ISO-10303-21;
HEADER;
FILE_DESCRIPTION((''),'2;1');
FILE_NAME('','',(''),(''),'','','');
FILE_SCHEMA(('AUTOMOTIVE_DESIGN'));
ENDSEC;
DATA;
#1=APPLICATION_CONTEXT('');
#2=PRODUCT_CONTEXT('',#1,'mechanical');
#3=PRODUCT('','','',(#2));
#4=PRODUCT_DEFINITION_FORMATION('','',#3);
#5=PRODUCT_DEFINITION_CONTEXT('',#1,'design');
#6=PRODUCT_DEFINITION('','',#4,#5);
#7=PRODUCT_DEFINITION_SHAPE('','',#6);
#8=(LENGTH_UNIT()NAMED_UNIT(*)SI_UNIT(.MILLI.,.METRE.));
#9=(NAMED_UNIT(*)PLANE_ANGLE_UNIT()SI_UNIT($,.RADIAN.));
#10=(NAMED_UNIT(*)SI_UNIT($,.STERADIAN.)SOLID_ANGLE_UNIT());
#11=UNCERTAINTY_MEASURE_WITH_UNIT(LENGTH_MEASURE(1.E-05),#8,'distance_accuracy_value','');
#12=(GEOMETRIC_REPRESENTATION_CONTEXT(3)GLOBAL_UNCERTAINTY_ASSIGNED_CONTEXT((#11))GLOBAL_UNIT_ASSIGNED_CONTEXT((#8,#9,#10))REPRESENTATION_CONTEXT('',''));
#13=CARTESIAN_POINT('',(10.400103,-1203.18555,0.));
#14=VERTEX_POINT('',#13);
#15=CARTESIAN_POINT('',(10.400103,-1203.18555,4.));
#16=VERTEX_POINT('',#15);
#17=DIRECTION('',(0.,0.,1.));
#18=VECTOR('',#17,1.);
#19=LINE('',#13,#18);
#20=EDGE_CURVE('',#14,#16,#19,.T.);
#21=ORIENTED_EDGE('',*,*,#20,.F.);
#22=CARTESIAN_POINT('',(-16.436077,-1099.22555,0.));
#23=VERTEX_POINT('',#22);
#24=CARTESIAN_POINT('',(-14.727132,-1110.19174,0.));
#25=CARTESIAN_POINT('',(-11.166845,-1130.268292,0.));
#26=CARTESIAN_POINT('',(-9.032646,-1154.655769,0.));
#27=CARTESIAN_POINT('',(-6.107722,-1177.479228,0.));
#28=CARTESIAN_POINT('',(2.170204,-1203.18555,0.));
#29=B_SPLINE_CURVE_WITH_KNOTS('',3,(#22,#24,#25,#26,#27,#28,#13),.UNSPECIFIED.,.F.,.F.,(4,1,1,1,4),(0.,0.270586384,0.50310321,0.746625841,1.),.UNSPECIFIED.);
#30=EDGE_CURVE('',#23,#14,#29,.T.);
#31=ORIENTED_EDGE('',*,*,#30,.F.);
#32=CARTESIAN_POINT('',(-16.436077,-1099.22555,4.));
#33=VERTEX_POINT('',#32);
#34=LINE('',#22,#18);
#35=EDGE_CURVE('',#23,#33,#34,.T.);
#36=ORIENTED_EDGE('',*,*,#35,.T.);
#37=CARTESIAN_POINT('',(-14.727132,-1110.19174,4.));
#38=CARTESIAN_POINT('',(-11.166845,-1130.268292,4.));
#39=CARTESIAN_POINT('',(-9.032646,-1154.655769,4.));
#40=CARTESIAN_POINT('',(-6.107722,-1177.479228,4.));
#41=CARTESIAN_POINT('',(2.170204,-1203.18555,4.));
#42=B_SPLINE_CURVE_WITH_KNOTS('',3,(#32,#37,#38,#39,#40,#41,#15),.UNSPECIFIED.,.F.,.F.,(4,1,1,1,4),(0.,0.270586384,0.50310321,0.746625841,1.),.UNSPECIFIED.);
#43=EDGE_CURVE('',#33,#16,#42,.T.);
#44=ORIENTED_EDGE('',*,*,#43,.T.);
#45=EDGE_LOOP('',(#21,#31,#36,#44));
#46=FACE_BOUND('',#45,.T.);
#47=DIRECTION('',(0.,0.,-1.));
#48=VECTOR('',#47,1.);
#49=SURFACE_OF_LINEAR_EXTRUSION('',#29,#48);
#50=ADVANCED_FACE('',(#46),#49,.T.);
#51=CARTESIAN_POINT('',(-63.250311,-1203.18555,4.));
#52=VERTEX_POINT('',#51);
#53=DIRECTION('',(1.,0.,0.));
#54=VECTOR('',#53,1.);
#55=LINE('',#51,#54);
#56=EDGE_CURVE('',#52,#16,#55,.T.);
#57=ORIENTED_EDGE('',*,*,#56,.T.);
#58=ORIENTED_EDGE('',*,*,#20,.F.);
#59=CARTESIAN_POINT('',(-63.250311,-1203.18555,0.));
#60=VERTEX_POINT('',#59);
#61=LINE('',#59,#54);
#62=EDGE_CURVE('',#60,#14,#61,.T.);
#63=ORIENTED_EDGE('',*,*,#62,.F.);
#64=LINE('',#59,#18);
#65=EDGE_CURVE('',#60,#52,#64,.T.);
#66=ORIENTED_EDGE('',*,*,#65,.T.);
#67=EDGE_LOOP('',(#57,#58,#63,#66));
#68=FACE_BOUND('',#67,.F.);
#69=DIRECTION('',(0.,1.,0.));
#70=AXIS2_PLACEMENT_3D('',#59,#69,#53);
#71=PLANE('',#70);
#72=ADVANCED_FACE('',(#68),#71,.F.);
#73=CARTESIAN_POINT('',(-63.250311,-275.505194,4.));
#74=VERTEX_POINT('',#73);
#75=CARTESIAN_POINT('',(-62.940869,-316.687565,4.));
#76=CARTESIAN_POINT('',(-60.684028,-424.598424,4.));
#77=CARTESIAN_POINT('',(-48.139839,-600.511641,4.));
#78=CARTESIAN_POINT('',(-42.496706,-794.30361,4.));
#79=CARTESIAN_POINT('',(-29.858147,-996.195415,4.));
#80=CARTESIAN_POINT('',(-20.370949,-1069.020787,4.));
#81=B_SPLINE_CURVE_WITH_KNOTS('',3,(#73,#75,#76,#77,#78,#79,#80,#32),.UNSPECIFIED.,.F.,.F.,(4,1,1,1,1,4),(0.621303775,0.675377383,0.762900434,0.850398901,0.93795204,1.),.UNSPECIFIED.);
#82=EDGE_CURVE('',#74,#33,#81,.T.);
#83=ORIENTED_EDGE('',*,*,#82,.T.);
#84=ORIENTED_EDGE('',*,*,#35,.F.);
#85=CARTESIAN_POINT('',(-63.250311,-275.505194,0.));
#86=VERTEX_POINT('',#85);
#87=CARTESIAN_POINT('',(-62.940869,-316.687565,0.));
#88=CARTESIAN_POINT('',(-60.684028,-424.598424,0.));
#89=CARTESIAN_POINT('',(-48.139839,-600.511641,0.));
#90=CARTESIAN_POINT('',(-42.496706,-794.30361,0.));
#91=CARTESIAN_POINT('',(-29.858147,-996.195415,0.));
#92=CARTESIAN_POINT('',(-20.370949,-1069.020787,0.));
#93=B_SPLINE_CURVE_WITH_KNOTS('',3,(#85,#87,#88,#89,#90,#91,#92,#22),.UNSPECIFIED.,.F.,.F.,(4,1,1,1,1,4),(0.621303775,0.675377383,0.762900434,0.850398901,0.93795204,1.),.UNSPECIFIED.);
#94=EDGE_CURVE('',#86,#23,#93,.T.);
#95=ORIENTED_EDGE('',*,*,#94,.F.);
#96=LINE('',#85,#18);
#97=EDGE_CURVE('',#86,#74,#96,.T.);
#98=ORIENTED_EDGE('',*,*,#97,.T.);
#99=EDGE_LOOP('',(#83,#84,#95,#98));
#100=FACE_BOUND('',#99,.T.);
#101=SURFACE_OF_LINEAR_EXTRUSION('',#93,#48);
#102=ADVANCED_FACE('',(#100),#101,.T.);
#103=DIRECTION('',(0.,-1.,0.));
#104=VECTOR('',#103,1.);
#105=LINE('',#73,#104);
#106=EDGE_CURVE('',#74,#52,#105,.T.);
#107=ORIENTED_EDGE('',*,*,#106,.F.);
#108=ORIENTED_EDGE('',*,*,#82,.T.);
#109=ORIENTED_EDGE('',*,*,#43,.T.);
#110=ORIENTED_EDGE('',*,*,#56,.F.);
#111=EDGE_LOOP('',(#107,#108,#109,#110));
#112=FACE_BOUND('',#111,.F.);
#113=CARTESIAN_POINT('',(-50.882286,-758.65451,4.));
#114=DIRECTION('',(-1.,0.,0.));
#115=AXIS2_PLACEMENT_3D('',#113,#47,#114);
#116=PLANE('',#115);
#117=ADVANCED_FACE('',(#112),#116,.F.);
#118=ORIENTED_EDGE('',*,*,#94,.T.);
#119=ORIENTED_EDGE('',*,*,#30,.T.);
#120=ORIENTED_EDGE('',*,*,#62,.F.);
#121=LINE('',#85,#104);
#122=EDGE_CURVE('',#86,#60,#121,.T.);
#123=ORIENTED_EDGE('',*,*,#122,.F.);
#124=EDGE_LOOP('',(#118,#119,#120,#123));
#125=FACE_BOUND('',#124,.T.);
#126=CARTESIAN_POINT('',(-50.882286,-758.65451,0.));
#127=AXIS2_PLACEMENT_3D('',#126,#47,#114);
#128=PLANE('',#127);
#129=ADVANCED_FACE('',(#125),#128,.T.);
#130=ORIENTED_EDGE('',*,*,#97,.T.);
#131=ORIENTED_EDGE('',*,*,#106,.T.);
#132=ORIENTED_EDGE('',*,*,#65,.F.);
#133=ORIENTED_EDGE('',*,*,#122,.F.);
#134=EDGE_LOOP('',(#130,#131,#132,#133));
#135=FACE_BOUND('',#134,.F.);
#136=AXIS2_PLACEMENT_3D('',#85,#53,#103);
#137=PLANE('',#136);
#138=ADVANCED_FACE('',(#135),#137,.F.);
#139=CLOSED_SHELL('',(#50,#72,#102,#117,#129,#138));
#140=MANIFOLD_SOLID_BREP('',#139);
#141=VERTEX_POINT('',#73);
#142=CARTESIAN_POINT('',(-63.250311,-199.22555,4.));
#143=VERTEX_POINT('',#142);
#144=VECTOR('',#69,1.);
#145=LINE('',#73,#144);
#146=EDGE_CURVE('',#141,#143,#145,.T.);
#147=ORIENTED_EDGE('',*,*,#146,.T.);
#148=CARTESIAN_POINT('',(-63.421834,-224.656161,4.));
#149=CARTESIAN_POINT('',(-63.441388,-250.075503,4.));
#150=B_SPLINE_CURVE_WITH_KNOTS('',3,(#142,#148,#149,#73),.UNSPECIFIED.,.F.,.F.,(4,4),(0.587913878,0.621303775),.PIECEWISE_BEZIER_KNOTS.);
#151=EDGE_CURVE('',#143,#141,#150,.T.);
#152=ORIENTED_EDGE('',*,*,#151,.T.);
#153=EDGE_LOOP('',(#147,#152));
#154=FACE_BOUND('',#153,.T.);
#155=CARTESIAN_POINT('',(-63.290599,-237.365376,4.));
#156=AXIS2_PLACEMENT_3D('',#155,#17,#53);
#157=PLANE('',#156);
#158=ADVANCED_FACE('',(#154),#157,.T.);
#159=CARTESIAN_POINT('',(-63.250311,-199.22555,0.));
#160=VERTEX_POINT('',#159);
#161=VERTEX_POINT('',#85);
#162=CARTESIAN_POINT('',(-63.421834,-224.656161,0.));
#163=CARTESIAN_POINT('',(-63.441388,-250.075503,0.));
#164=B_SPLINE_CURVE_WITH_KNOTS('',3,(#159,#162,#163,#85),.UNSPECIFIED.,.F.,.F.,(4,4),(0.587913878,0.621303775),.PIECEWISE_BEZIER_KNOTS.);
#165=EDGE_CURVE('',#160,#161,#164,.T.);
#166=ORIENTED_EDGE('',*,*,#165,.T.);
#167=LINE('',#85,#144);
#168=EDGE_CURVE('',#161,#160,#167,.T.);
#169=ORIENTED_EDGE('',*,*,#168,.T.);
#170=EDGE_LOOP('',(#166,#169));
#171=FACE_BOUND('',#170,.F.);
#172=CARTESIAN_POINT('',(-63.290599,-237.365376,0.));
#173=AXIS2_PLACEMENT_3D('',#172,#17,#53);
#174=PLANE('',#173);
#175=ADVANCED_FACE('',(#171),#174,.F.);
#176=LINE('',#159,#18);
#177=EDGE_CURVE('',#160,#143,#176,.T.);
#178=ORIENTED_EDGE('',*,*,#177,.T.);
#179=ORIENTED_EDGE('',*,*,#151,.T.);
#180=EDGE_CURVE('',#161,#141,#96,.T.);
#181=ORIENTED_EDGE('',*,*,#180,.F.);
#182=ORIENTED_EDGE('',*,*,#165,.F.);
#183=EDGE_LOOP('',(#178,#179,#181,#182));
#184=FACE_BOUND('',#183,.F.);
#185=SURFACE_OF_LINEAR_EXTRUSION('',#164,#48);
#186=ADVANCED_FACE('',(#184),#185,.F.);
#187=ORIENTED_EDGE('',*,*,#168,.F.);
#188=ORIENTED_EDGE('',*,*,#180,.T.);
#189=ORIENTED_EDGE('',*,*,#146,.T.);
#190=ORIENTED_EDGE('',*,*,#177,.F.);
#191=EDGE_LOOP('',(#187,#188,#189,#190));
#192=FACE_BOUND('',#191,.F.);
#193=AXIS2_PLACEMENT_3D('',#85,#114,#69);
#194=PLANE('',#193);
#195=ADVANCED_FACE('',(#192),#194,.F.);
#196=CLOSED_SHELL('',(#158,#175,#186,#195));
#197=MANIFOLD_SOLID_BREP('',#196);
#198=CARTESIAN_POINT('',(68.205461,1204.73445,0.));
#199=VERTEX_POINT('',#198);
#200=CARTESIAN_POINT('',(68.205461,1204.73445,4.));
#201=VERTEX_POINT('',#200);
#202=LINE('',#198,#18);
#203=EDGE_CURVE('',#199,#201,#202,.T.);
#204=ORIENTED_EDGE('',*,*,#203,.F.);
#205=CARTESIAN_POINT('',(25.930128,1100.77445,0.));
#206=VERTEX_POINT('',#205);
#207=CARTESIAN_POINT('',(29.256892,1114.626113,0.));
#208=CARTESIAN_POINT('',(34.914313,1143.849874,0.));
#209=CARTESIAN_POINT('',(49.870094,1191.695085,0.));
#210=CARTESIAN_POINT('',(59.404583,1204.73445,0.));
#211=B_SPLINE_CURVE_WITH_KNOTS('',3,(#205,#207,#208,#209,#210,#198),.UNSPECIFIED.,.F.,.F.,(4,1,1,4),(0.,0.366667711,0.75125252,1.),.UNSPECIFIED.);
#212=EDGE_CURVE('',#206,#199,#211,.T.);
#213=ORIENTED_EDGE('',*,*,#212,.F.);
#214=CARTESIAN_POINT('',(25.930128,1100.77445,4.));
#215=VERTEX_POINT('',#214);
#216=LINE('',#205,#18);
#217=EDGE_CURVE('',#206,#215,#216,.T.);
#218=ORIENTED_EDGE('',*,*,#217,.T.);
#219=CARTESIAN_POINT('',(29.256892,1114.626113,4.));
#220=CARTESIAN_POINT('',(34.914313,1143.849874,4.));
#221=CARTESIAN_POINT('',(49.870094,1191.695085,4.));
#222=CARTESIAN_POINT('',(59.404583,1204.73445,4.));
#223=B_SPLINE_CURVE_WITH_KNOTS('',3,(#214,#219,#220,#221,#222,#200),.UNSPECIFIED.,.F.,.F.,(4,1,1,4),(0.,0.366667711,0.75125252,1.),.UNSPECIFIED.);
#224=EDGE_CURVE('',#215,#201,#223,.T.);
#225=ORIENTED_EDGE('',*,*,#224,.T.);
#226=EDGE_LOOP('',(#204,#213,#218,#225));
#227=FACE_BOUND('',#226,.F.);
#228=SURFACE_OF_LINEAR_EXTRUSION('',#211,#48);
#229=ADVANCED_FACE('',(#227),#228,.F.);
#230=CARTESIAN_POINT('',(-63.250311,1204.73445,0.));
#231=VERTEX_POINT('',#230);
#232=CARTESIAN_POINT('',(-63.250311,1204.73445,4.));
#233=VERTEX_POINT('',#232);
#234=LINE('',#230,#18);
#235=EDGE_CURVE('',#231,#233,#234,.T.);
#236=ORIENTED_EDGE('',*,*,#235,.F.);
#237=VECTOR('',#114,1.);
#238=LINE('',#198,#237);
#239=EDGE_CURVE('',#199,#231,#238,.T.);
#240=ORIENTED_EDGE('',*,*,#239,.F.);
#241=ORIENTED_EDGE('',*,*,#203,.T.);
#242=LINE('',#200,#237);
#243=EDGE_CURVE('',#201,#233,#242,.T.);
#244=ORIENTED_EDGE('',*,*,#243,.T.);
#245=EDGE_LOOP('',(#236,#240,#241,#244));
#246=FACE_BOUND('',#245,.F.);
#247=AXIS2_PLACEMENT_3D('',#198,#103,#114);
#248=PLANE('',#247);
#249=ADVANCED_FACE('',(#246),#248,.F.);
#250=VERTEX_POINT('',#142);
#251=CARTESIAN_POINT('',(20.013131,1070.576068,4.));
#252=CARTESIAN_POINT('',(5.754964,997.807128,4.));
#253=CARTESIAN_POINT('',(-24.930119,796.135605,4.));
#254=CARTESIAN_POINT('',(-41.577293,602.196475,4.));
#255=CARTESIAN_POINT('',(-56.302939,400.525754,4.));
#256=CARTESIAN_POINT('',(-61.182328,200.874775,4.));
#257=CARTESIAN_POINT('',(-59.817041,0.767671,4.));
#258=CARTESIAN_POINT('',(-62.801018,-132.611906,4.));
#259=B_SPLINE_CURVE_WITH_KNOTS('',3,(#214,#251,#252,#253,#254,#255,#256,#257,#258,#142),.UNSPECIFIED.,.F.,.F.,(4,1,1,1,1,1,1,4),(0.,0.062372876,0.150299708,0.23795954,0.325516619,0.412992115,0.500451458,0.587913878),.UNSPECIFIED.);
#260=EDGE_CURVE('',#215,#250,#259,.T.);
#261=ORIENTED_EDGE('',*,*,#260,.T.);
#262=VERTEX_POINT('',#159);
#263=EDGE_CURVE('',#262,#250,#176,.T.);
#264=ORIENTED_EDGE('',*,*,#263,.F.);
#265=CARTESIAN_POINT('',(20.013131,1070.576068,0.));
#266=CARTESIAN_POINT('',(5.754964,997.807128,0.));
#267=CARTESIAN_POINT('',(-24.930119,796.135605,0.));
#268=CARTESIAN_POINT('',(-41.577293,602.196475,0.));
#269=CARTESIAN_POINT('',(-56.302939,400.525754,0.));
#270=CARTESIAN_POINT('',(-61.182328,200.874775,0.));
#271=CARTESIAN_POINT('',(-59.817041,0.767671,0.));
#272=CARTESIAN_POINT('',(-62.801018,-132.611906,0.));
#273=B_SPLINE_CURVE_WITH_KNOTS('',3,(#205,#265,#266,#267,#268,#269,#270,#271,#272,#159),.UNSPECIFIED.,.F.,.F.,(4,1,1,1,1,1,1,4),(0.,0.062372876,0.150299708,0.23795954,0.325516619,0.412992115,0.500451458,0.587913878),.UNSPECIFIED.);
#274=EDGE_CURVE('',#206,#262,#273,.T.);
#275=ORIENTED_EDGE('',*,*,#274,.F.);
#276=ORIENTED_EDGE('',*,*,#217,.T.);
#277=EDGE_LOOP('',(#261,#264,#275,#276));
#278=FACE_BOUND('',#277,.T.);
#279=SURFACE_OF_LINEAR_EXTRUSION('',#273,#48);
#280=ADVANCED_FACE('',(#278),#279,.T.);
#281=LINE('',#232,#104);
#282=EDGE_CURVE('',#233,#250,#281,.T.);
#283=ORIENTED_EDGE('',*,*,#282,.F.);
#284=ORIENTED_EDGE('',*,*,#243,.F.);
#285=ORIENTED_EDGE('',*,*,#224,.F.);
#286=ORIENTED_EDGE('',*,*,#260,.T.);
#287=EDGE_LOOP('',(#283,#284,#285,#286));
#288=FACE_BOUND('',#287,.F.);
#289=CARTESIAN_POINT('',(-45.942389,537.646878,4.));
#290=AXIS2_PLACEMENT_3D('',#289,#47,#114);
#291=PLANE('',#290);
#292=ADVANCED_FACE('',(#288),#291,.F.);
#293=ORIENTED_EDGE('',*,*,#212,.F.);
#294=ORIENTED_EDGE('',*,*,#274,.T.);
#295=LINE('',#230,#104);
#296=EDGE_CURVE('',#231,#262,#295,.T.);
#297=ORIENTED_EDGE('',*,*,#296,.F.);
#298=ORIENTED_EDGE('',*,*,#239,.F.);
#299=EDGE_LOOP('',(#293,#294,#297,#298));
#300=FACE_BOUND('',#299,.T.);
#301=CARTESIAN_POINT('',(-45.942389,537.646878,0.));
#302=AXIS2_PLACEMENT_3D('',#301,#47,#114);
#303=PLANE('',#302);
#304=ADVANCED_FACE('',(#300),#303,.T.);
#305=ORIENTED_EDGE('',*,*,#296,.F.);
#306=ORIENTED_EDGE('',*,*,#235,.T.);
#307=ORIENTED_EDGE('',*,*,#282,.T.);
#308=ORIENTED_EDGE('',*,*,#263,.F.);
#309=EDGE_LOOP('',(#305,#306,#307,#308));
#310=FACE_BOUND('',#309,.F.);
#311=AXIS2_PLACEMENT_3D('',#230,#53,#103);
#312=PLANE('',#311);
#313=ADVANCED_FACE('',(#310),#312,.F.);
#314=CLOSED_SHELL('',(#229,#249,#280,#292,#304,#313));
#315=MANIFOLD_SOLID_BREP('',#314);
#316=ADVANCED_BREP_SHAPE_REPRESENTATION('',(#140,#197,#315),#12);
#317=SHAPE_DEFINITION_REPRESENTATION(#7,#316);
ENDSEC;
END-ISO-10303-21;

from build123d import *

# Parameters (mm, degrees)
F1_DEPTH = 4


with BuildPart() as f1:
    # F0 (on Top) → F1 (new body)
    with BuildSketch(Plane.XY):
        with BuildLine():
            add(Edge.make_bspline(
                [(-63.2503108851, -275.5051941592), (-62.9408692179, -316.6875653919), (-60.6840284683, -424.5984236254), (-48.1398385873, -600.5116414192), (-42.4967064171, -794.3036102701), (-29.8581469629, -996.1954148658), (-20.3709494175, -1069.0207870402), (-16.4360769223, -1099.2255500962)],
                knots=[0.6213037753, 0.6213037753, 0.6213037753, 0.6213037753, 0.6753773828, 0.762900434, 0.8503989007, 0.9379520403, 1, 1, 1, 1], degree=3))
            Line((-63.2503108851, -275.5051941592), (-63.2503108851, -1203.1855500962))
            Line((-63.2503108851, -1203.1855500962), (10.4001033158, -1203.1855500962))
            add(Edge.make_bspline(
                [(-16.4360769223, -1099.2255500962), (-14.727131828, -1110.191740348), (-11.1668454526, -1130.2682923929), (-9.0326459981, -1154.6557687045), (-6.1077215502, -1177.4792283868), (2.1702037998, -1203.1855500962), (10.4001033158, -1203.1855500962)],
                knots=[0, 0, 0, 0, 0.2705863844, 0.5031032098, 0.7466258405, 1, 1, 1, 1], degree=3))
        make_face()
    extrude(amount=F1_DEPTH)


with BuildPart() as f1b:
    # F0 (on Top) → F1, piece 2 (new body)
    with BuildSketch(Plane.XY):
        with BuildLine():
            Line((-63.2503108851, -275.5051941592), (-63.2503108851, -199.2255500962))
            add(Edge.make_bspline(
                [(-63.2503108851, -199.2255500962), (-63.421834058, -224.65616072), (-63.4413879365, -250.0755028819), (-63.2503108851, -275.5051941592)],
                knots=[0.587913878, 0.587913878, 0.587913878, 0.587913878, 0.6213037753, 0.6213037753, 0.6213037753, 0.6213037753], degree=3))
        make_face()
    extrude(amount=F1_DEPTH)


with BuildPart() as f1c:
    # F0 (on Top) → F1, piece 3 (new body)
    with BuildSketch(Plane.XY):
        with BuildLine():
            add(Edge.make_bspline(
                [(25.9301278811, 1100.7744499038), (20.013131132, 1070.5760677202), (5.7549641121, 997.8071284812), (-24.9301194877, 796.1356047823), (-41.5772926941, 602.1964751306), (-56.3029389855, 400.5257538371), (-61.1823282249, 200.8747745041), (-59.8170411737, 0.7676714709), (-62.8010183453, -132.6119057544), (-63.2503108851, -199.2255500962)],
                knots=[0, 0, 0, 0, 0.0623728759, 0.1502997077, 0.2379595395, 0.3255166193, 0.4129921155, 0.5004514582, 0.587913878, 0.587913878, 0.587913878, 0.587913878], degree=3))
            add(Edge.make_bspline(
                [(25.9301278811, 1100.7744499038), (29.2568916622, 1114.6261132139), (34.9143129038, 1143.8498744419), (49.8700939152, 1191.6950853473), (59.4045832627, 1204.7344499038), (68.2054613377, 1204.7344499038)],
                knots=[0, 0, 0, 0, 0.3666677113, 0.7512525196, 1, 1, 1, 1], degree=3))
            Line((68.2054613377, 1204.7344499038), (-63.2503108851, 1204.7344499038))
            Line((-63.2503108851, 1204.7344499038), (-63.2503108851, -199.2255500962))
        make_face()
    extrude(amount=F1_DEPTH)


solid = Compound([f1.part, f1b.part, f1c.part])
